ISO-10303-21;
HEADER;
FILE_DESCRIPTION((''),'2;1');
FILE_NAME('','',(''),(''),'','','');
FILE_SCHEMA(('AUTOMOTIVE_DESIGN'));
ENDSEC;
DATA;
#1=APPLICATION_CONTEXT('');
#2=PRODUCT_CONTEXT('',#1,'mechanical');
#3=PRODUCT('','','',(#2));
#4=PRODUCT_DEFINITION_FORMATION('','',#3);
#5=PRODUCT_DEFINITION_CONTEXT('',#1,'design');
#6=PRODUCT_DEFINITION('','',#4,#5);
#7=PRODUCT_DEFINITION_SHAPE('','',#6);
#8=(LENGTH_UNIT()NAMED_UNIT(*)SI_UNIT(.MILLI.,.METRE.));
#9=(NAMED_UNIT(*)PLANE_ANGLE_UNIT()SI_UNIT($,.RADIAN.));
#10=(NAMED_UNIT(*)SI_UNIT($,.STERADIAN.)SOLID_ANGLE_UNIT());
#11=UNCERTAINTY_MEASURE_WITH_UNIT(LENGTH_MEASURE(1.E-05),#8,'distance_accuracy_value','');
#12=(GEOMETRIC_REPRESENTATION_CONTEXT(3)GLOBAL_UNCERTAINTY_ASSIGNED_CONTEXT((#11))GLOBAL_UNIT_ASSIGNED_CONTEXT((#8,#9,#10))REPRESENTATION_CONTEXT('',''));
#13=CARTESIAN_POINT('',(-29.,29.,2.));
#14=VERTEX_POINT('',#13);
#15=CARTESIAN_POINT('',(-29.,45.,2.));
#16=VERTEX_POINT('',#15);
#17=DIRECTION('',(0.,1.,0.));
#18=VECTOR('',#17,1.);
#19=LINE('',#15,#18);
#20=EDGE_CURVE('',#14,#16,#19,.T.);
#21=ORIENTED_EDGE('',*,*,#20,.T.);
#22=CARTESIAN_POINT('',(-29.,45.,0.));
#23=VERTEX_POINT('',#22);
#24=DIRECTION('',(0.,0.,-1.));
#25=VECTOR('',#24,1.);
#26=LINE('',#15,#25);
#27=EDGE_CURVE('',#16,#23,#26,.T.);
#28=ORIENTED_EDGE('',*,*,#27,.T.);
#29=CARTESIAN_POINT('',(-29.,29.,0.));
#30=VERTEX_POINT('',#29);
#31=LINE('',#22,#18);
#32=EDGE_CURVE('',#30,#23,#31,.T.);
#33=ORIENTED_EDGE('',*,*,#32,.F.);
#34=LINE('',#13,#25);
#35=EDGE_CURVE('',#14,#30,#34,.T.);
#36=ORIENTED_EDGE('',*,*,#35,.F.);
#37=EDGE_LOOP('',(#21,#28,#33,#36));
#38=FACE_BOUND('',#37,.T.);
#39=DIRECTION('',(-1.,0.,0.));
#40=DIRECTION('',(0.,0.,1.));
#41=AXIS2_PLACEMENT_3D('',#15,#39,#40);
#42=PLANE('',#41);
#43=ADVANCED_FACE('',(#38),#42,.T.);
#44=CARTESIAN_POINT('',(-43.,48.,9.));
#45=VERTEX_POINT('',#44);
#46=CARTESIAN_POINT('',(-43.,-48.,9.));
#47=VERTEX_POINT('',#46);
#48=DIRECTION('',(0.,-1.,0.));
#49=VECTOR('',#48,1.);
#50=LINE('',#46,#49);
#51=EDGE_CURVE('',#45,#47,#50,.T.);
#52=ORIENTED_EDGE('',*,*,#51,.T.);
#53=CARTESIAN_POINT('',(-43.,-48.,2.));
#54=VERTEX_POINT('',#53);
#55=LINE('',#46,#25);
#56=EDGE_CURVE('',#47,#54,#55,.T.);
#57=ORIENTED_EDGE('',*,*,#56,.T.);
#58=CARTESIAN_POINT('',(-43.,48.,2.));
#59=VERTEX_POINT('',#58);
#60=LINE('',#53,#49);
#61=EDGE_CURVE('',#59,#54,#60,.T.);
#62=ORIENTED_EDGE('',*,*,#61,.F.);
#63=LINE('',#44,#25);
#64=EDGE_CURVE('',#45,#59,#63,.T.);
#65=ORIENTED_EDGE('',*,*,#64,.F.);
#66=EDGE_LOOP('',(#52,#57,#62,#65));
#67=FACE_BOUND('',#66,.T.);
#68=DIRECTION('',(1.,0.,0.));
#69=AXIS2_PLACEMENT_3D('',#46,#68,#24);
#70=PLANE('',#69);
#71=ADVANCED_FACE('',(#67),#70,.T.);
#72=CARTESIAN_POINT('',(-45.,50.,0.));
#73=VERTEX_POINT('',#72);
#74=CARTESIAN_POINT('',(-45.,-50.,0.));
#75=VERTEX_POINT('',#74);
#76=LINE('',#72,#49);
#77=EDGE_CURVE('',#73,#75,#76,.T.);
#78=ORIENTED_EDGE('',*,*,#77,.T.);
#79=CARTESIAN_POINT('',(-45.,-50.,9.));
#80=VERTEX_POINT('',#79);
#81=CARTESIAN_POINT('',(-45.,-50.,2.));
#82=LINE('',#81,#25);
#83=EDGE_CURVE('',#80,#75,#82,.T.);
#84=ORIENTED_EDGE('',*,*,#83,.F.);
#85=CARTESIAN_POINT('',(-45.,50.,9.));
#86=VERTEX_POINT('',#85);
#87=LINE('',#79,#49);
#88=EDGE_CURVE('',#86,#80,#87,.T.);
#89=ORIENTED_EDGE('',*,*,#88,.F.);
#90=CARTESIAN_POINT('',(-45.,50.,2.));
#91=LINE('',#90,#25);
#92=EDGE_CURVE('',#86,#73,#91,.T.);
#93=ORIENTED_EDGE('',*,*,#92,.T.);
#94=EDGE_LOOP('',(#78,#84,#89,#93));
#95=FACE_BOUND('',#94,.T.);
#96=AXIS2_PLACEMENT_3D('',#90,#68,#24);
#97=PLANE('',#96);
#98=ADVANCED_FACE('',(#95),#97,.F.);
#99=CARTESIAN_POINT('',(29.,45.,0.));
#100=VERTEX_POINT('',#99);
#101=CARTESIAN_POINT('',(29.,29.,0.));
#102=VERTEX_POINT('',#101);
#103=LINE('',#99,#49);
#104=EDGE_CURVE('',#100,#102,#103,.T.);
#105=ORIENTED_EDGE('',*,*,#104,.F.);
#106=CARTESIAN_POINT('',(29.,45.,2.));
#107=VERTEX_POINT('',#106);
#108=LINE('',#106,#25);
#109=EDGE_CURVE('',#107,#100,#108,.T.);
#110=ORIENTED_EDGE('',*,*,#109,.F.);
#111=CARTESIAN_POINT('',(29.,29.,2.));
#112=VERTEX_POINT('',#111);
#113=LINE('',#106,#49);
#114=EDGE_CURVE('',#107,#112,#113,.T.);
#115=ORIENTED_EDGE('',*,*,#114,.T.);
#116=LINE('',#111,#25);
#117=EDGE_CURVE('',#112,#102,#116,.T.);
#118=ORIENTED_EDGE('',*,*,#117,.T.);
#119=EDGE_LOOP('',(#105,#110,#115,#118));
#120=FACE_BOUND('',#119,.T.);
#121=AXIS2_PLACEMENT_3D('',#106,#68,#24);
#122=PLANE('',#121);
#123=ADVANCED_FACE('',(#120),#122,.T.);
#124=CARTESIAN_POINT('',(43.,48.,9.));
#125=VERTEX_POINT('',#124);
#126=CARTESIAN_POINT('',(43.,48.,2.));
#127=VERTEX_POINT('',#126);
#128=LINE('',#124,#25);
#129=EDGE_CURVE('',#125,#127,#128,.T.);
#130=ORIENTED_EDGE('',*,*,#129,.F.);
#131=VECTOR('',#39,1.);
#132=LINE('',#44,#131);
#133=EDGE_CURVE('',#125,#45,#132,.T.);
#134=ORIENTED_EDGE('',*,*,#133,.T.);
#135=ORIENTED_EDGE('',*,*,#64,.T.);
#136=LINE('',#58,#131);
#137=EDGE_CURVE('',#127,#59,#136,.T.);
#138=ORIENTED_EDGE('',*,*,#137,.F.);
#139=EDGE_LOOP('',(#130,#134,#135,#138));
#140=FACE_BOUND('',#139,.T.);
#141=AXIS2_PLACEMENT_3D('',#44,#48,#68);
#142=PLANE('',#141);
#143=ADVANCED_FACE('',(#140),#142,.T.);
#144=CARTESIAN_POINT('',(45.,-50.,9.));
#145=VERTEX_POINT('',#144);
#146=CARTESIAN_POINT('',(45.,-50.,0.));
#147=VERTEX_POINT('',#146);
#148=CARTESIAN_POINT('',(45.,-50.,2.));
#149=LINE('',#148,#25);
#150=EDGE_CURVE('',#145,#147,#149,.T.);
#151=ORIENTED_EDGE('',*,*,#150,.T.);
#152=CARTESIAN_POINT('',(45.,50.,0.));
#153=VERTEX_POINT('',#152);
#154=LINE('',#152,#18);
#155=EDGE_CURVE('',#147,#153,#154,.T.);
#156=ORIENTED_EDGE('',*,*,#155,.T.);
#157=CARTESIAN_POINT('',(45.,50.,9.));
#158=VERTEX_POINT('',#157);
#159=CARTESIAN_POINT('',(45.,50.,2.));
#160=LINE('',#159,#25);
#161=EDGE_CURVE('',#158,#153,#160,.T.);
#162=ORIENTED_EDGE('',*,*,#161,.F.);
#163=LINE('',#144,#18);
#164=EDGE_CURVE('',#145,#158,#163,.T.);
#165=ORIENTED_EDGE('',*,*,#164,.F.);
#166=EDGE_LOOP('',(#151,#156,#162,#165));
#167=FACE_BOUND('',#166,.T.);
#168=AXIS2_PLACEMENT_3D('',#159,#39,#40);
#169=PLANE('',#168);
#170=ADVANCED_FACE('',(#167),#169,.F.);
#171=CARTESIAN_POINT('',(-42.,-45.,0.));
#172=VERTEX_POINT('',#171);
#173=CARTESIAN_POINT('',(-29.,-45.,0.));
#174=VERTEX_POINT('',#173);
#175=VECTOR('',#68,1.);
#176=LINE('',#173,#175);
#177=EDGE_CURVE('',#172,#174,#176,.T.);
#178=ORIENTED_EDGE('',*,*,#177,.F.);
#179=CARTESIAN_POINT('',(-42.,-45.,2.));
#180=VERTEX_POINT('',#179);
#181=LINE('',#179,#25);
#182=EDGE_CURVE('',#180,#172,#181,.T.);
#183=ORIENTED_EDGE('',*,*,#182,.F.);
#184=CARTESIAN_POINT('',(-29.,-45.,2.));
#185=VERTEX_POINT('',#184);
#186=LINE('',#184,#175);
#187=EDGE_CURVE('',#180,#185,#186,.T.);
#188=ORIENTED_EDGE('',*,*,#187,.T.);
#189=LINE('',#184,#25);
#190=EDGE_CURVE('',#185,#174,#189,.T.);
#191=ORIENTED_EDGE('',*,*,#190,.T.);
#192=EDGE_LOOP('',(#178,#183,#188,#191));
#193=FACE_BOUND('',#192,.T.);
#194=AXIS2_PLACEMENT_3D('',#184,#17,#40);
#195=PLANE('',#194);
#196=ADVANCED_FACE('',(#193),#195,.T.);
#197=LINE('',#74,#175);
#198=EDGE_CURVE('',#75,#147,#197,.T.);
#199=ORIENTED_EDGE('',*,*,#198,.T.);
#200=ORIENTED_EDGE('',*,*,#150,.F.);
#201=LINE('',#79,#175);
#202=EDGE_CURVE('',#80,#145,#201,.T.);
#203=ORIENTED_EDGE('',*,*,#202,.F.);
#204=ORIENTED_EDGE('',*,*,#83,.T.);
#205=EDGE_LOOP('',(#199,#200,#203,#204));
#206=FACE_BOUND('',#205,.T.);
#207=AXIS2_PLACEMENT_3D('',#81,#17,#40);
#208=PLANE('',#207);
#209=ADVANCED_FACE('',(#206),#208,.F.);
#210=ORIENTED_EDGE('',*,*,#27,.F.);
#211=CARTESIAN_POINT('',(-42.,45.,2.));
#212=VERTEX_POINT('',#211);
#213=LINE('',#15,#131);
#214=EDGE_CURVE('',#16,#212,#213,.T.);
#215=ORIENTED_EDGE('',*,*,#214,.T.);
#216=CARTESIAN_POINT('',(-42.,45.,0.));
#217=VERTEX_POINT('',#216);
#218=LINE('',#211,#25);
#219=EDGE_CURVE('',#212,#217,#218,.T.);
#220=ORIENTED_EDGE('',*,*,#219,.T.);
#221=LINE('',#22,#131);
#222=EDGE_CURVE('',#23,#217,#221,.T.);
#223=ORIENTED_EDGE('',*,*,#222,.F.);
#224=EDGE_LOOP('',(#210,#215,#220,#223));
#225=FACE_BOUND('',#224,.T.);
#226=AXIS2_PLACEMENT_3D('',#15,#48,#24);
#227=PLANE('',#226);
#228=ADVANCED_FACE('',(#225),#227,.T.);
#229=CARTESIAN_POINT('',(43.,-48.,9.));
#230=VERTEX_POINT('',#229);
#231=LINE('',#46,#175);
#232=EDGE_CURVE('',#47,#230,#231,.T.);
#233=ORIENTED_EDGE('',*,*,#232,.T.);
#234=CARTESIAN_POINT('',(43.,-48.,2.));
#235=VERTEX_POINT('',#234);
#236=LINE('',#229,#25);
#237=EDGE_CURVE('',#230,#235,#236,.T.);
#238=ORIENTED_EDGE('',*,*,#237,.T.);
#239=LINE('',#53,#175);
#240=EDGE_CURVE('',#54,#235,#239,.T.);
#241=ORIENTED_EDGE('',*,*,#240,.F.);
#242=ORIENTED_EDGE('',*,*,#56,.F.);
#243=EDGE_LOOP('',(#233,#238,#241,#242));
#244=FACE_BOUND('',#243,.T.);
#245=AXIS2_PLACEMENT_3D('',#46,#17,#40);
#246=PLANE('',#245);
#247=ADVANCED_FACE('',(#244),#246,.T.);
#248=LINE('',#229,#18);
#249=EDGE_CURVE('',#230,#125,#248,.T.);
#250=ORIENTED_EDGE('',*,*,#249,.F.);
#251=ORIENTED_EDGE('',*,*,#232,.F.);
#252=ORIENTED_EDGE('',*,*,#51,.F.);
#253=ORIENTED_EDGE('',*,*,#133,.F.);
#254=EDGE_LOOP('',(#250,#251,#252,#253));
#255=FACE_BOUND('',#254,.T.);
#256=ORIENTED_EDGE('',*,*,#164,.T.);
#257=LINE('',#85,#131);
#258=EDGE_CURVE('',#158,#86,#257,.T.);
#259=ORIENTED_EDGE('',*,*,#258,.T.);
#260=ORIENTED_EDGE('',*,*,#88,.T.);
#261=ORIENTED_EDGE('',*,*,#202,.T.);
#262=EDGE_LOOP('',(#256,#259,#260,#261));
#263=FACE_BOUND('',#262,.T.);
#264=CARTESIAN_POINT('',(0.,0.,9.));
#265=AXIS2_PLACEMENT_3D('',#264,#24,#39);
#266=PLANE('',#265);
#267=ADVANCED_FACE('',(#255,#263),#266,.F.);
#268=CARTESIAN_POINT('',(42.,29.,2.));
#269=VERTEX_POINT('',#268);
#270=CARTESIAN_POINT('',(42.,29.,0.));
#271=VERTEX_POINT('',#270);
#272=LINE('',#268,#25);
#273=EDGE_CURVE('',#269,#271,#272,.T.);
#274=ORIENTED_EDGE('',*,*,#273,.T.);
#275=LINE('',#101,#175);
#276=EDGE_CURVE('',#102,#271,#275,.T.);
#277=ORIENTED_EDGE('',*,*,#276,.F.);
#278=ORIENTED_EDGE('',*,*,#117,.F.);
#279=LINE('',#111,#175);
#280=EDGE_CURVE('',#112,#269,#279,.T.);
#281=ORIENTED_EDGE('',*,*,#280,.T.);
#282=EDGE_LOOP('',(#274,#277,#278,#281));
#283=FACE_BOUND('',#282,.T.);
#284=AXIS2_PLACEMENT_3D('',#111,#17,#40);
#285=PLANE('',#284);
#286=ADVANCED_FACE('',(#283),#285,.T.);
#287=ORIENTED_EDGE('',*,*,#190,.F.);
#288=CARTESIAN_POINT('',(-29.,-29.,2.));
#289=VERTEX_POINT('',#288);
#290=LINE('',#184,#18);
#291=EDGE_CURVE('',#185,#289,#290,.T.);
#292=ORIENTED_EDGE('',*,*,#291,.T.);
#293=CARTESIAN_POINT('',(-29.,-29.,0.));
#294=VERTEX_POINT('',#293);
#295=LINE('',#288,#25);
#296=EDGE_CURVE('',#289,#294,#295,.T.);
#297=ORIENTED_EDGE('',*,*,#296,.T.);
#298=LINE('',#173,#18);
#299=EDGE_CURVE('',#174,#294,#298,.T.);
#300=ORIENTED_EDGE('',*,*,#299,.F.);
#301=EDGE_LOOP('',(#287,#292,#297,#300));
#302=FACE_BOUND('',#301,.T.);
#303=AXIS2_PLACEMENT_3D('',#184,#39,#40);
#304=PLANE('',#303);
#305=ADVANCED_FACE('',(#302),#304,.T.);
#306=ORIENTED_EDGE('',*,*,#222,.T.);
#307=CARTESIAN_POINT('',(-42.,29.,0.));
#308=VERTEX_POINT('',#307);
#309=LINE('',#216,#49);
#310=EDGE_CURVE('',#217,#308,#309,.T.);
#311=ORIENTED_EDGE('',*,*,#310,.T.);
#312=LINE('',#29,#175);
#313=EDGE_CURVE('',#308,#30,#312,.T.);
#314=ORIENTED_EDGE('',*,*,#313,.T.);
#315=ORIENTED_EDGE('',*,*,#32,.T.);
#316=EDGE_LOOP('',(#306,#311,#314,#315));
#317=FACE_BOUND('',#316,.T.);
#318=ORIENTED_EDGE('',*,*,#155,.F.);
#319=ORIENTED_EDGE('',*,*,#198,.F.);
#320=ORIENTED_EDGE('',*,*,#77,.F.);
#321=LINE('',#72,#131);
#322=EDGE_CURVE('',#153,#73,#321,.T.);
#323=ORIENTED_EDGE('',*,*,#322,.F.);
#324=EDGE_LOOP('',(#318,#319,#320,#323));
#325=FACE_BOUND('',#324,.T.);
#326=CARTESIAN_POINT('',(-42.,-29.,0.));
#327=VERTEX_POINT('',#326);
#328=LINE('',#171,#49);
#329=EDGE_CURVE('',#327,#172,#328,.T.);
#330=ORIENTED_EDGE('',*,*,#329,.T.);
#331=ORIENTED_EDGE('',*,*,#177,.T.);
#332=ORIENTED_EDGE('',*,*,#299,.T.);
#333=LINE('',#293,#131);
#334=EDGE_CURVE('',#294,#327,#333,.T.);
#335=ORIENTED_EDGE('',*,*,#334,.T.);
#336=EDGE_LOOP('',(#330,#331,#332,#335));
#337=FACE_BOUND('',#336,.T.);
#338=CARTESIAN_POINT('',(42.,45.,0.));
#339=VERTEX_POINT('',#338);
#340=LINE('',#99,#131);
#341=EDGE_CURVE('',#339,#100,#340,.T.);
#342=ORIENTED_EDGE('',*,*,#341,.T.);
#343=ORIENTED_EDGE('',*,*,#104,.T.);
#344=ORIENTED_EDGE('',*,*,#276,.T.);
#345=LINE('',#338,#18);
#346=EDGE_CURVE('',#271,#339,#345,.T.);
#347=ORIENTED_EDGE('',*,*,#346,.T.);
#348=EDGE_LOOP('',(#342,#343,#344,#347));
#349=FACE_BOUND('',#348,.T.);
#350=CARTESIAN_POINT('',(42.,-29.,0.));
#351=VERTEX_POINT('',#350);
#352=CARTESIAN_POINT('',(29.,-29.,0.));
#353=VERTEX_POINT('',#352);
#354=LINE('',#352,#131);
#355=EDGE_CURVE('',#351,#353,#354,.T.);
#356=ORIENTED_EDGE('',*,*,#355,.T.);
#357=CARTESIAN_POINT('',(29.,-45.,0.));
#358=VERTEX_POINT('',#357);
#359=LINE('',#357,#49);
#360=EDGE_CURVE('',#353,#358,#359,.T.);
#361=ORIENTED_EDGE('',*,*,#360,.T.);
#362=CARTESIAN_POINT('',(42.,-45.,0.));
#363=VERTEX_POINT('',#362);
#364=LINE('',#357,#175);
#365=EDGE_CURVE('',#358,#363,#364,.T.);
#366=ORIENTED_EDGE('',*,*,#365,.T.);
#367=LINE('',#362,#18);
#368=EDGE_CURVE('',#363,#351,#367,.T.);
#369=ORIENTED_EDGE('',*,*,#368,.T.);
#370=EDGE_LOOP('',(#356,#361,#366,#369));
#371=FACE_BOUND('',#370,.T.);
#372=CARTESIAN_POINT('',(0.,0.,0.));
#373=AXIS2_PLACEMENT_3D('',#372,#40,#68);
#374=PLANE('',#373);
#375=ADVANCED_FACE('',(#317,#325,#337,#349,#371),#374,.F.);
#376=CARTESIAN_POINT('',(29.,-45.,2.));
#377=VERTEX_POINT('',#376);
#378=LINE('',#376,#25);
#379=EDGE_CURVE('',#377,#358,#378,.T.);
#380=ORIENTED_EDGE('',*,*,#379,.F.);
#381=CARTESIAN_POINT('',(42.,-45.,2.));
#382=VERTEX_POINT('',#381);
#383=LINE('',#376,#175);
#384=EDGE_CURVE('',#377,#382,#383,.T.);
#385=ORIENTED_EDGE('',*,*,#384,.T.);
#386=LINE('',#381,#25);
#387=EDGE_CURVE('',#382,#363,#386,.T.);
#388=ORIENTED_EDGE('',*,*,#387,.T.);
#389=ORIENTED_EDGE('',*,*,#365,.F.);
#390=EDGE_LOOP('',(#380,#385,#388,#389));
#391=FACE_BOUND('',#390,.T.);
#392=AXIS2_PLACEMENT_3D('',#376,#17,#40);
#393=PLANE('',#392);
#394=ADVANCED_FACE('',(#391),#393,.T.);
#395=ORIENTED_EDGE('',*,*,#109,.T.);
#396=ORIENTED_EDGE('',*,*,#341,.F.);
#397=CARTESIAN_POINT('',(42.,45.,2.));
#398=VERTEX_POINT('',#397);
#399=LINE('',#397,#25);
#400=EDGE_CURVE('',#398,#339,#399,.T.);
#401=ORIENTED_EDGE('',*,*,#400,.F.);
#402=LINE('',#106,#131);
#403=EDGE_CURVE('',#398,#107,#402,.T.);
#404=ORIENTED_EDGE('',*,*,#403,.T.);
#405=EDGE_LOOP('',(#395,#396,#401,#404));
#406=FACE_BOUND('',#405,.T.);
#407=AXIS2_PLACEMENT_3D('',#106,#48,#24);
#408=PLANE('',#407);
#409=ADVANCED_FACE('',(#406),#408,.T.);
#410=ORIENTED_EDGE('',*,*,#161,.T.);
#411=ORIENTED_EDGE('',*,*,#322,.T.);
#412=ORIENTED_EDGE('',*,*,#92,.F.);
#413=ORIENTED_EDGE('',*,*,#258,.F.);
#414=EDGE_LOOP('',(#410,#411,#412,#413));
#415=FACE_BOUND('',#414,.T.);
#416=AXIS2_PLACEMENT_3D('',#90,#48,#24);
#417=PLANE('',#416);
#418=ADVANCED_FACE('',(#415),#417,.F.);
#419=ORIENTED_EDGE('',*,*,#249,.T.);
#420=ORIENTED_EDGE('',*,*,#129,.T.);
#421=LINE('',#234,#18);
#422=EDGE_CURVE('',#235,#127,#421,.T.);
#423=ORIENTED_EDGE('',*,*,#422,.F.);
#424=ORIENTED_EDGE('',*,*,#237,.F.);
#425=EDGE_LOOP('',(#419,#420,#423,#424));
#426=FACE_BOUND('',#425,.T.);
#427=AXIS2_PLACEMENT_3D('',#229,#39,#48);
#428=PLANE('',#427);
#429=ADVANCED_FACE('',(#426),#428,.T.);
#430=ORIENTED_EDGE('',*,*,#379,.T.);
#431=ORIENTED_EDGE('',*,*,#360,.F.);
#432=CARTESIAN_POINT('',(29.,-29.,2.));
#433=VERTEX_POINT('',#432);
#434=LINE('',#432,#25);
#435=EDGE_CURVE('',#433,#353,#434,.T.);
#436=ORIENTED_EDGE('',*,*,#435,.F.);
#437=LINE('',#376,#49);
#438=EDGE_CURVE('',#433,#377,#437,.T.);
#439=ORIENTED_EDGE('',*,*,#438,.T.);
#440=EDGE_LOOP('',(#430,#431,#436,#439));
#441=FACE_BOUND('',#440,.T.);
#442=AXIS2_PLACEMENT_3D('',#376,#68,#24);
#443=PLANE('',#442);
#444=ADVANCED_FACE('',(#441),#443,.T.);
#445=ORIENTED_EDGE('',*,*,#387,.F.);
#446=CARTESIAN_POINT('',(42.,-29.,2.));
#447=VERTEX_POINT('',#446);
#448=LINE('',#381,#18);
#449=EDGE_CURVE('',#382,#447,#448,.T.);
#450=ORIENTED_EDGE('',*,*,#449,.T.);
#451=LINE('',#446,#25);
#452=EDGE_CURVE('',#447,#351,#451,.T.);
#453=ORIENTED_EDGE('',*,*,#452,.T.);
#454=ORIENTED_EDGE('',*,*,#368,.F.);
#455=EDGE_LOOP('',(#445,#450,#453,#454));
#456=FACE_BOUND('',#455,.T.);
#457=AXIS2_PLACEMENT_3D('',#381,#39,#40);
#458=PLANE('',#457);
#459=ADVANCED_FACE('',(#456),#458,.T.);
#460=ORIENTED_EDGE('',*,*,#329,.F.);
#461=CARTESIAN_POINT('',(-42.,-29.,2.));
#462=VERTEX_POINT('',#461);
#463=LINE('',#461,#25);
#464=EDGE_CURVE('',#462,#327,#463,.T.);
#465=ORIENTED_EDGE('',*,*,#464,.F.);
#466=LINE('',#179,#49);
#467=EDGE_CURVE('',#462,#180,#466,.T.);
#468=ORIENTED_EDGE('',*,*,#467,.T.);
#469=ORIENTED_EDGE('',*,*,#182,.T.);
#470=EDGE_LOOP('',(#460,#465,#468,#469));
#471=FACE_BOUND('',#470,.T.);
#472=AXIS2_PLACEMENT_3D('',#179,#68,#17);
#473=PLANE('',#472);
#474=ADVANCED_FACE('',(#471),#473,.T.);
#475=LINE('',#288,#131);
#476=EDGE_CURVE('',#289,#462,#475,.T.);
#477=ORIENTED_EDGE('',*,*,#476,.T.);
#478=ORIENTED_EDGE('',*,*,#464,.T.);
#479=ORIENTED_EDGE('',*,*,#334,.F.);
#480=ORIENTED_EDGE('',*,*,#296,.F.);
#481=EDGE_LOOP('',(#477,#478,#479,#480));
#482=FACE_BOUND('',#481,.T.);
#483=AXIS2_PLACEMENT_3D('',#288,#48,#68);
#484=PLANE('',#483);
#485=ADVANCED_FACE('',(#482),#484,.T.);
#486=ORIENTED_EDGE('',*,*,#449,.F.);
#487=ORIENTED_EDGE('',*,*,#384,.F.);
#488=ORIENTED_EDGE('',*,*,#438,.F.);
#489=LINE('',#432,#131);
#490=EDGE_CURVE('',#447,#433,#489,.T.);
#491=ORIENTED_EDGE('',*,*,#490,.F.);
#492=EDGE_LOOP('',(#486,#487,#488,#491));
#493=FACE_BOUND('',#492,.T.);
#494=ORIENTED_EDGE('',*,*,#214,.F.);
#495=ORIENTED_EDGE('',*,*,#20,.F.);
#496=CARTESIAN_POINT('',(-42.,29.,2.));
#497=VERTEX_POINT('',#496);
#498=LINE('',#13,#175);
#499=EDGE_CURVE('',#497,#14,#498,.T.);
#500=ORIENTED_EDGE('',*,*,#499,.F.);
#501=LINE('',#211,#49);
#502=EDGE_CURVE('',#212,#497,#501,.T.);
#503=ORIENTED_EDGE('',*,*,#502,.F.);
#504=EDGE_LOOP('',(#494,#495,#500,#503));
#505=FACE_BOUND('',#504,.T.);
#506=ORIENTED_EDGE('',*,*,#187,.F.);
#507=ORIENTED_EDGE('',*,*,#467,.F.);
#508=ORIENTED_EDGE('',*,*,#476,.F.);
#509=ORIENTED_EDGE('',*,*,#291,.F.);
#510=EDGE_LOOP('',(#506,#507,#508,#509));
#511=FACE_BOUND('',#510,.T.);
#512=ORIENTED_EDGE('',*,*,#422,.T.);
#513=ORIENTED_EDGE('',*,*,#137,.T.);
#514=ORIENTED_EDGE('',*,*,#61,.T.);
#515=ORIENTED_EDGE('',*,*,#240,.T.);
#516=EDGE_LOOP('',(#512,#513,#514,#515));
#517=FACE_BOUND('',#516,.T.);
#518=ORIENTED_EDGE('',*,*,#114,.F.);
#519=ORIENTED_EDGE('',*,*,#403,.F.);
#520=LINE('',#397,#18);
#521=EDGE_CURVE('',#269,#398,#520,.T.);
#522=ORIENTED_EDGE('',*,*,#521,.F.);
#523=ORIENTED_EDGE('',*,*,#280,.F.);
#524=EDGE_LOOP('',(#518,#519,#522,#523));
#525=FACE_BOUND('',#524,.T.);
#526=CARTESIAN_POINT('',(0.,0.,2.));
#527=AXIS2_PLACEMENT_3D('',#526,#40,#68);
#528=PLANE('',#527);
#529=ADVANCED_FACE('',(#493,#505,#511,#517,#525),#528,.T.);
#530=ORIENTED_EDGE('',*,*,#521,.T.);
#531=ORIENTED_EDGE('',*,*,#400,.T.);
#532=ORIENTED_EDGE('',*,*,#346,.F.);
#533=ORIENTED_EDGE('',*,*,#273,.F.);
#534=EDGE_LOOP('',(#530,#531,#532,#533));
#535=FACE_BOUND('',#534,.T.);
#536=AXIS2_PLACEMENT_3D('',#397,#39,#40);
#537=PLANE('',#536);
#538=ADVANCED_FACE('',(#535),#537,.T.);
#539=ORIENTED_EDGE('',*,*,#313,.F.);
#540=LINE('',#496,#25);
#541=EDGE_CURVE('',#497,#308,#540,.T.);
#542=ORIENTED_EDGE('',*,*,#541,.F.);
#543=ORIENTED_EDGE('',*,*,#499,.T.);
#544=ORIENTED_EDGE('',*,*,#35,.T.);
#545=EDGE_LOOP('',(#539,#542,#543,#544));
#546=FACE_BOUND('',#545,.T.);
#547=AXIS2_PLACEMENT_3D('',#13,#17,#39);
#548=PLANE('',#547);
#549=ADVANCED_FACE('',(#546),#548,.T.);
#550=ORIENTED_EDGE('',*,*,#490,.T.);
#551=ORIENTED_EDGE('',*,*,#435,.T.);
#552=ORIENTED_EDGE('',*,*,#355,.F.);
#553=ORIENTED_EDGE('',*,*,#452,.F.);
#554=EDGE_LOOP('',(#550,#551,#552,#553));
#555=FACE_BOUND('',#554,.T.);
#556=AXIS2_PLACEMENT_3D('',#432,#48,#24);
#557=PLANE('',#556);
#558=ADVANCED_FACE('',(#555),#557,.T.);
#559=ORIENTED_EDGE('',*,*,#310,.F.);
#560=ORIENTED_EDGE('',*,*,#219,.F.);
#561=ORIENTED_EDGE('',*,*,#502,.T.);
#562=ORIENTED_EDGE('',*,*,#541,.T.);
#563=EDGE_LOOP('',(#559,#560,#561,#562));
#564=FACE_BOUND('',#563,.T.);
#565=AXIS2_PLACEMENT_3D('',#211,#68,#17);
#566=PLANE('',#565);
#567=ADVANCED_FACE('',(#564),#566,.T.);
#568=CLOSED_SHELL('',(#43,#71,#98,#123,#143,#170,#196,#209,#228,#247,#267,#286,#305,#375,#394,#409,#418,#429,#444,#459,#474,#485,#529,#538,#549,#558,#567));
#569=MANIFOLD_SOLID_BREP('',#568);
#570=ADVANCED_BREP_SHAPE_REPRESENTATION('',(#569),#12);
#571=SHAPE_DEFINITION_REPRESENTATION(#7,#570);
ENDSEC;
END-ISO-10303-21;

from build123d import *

# Parameters (mm, degrees)
ESBO_O1_W                = 90
ESBO_O1_H                = 100
ESBO_O1_W_2              = 13
ESBO_O1_H_2              = 16
RESSALTO_EXTRUS_O1_DEPTH = 2
ESBO_O2_W                = 90
ESBO_O2_H                = 100
ESBO_O2_W_2              = 86
ESBO_O2_H_2              = 96
RESSALTO_EXTRUS_O2_DEPTH = 7


with BuildPart() as part:
    # Esboço1 → Ressalto-extrusão1 (new body)
    with BuildSketch(Plane.XY):
        Rectangle(ESBO_O1_W, ESBO_O1_H)
        with Locations((35.5, 37)):
            Rectangle(ESBO_O1_W_2, ESBO_O1_H_2, mode=Mode.SUBTRACT)
        with Locations((35.5, -37)):
            Rectangle(ESBO_O1_W_2, ESBO_O1_H_2, mode=Mode.SUBTRACT)
        with Locations((-35.5, -37)):
            Rectangle(ESBO_O1_W_2, ESBO_O1_H_2, mode=Mode.SUBTRACT)
        with Locations((-35.5, 37)):
            Rectangle(ESBO_O1_W_2, ESBO_O1_H_2, mode=Mode.SUBTRACT)
    extrude(amount=RESSALTO_EXTRUS_O1_DEPTH)

    # Esboço2 → Ressalto-extrusão2 (add)
    with BuildSketch(Plane.XY.offset(2)):
        Rectangle(ESBO_O2_W, ESBO_O2_H)
        Rectangle(ESBO_O2_W_2, ESBO_O2_H_2, mode=Mode.SUBTRACT)
    extrude(amount=RESSALTO_EXTRUS_O2_DEPTH)


solid = part.part
